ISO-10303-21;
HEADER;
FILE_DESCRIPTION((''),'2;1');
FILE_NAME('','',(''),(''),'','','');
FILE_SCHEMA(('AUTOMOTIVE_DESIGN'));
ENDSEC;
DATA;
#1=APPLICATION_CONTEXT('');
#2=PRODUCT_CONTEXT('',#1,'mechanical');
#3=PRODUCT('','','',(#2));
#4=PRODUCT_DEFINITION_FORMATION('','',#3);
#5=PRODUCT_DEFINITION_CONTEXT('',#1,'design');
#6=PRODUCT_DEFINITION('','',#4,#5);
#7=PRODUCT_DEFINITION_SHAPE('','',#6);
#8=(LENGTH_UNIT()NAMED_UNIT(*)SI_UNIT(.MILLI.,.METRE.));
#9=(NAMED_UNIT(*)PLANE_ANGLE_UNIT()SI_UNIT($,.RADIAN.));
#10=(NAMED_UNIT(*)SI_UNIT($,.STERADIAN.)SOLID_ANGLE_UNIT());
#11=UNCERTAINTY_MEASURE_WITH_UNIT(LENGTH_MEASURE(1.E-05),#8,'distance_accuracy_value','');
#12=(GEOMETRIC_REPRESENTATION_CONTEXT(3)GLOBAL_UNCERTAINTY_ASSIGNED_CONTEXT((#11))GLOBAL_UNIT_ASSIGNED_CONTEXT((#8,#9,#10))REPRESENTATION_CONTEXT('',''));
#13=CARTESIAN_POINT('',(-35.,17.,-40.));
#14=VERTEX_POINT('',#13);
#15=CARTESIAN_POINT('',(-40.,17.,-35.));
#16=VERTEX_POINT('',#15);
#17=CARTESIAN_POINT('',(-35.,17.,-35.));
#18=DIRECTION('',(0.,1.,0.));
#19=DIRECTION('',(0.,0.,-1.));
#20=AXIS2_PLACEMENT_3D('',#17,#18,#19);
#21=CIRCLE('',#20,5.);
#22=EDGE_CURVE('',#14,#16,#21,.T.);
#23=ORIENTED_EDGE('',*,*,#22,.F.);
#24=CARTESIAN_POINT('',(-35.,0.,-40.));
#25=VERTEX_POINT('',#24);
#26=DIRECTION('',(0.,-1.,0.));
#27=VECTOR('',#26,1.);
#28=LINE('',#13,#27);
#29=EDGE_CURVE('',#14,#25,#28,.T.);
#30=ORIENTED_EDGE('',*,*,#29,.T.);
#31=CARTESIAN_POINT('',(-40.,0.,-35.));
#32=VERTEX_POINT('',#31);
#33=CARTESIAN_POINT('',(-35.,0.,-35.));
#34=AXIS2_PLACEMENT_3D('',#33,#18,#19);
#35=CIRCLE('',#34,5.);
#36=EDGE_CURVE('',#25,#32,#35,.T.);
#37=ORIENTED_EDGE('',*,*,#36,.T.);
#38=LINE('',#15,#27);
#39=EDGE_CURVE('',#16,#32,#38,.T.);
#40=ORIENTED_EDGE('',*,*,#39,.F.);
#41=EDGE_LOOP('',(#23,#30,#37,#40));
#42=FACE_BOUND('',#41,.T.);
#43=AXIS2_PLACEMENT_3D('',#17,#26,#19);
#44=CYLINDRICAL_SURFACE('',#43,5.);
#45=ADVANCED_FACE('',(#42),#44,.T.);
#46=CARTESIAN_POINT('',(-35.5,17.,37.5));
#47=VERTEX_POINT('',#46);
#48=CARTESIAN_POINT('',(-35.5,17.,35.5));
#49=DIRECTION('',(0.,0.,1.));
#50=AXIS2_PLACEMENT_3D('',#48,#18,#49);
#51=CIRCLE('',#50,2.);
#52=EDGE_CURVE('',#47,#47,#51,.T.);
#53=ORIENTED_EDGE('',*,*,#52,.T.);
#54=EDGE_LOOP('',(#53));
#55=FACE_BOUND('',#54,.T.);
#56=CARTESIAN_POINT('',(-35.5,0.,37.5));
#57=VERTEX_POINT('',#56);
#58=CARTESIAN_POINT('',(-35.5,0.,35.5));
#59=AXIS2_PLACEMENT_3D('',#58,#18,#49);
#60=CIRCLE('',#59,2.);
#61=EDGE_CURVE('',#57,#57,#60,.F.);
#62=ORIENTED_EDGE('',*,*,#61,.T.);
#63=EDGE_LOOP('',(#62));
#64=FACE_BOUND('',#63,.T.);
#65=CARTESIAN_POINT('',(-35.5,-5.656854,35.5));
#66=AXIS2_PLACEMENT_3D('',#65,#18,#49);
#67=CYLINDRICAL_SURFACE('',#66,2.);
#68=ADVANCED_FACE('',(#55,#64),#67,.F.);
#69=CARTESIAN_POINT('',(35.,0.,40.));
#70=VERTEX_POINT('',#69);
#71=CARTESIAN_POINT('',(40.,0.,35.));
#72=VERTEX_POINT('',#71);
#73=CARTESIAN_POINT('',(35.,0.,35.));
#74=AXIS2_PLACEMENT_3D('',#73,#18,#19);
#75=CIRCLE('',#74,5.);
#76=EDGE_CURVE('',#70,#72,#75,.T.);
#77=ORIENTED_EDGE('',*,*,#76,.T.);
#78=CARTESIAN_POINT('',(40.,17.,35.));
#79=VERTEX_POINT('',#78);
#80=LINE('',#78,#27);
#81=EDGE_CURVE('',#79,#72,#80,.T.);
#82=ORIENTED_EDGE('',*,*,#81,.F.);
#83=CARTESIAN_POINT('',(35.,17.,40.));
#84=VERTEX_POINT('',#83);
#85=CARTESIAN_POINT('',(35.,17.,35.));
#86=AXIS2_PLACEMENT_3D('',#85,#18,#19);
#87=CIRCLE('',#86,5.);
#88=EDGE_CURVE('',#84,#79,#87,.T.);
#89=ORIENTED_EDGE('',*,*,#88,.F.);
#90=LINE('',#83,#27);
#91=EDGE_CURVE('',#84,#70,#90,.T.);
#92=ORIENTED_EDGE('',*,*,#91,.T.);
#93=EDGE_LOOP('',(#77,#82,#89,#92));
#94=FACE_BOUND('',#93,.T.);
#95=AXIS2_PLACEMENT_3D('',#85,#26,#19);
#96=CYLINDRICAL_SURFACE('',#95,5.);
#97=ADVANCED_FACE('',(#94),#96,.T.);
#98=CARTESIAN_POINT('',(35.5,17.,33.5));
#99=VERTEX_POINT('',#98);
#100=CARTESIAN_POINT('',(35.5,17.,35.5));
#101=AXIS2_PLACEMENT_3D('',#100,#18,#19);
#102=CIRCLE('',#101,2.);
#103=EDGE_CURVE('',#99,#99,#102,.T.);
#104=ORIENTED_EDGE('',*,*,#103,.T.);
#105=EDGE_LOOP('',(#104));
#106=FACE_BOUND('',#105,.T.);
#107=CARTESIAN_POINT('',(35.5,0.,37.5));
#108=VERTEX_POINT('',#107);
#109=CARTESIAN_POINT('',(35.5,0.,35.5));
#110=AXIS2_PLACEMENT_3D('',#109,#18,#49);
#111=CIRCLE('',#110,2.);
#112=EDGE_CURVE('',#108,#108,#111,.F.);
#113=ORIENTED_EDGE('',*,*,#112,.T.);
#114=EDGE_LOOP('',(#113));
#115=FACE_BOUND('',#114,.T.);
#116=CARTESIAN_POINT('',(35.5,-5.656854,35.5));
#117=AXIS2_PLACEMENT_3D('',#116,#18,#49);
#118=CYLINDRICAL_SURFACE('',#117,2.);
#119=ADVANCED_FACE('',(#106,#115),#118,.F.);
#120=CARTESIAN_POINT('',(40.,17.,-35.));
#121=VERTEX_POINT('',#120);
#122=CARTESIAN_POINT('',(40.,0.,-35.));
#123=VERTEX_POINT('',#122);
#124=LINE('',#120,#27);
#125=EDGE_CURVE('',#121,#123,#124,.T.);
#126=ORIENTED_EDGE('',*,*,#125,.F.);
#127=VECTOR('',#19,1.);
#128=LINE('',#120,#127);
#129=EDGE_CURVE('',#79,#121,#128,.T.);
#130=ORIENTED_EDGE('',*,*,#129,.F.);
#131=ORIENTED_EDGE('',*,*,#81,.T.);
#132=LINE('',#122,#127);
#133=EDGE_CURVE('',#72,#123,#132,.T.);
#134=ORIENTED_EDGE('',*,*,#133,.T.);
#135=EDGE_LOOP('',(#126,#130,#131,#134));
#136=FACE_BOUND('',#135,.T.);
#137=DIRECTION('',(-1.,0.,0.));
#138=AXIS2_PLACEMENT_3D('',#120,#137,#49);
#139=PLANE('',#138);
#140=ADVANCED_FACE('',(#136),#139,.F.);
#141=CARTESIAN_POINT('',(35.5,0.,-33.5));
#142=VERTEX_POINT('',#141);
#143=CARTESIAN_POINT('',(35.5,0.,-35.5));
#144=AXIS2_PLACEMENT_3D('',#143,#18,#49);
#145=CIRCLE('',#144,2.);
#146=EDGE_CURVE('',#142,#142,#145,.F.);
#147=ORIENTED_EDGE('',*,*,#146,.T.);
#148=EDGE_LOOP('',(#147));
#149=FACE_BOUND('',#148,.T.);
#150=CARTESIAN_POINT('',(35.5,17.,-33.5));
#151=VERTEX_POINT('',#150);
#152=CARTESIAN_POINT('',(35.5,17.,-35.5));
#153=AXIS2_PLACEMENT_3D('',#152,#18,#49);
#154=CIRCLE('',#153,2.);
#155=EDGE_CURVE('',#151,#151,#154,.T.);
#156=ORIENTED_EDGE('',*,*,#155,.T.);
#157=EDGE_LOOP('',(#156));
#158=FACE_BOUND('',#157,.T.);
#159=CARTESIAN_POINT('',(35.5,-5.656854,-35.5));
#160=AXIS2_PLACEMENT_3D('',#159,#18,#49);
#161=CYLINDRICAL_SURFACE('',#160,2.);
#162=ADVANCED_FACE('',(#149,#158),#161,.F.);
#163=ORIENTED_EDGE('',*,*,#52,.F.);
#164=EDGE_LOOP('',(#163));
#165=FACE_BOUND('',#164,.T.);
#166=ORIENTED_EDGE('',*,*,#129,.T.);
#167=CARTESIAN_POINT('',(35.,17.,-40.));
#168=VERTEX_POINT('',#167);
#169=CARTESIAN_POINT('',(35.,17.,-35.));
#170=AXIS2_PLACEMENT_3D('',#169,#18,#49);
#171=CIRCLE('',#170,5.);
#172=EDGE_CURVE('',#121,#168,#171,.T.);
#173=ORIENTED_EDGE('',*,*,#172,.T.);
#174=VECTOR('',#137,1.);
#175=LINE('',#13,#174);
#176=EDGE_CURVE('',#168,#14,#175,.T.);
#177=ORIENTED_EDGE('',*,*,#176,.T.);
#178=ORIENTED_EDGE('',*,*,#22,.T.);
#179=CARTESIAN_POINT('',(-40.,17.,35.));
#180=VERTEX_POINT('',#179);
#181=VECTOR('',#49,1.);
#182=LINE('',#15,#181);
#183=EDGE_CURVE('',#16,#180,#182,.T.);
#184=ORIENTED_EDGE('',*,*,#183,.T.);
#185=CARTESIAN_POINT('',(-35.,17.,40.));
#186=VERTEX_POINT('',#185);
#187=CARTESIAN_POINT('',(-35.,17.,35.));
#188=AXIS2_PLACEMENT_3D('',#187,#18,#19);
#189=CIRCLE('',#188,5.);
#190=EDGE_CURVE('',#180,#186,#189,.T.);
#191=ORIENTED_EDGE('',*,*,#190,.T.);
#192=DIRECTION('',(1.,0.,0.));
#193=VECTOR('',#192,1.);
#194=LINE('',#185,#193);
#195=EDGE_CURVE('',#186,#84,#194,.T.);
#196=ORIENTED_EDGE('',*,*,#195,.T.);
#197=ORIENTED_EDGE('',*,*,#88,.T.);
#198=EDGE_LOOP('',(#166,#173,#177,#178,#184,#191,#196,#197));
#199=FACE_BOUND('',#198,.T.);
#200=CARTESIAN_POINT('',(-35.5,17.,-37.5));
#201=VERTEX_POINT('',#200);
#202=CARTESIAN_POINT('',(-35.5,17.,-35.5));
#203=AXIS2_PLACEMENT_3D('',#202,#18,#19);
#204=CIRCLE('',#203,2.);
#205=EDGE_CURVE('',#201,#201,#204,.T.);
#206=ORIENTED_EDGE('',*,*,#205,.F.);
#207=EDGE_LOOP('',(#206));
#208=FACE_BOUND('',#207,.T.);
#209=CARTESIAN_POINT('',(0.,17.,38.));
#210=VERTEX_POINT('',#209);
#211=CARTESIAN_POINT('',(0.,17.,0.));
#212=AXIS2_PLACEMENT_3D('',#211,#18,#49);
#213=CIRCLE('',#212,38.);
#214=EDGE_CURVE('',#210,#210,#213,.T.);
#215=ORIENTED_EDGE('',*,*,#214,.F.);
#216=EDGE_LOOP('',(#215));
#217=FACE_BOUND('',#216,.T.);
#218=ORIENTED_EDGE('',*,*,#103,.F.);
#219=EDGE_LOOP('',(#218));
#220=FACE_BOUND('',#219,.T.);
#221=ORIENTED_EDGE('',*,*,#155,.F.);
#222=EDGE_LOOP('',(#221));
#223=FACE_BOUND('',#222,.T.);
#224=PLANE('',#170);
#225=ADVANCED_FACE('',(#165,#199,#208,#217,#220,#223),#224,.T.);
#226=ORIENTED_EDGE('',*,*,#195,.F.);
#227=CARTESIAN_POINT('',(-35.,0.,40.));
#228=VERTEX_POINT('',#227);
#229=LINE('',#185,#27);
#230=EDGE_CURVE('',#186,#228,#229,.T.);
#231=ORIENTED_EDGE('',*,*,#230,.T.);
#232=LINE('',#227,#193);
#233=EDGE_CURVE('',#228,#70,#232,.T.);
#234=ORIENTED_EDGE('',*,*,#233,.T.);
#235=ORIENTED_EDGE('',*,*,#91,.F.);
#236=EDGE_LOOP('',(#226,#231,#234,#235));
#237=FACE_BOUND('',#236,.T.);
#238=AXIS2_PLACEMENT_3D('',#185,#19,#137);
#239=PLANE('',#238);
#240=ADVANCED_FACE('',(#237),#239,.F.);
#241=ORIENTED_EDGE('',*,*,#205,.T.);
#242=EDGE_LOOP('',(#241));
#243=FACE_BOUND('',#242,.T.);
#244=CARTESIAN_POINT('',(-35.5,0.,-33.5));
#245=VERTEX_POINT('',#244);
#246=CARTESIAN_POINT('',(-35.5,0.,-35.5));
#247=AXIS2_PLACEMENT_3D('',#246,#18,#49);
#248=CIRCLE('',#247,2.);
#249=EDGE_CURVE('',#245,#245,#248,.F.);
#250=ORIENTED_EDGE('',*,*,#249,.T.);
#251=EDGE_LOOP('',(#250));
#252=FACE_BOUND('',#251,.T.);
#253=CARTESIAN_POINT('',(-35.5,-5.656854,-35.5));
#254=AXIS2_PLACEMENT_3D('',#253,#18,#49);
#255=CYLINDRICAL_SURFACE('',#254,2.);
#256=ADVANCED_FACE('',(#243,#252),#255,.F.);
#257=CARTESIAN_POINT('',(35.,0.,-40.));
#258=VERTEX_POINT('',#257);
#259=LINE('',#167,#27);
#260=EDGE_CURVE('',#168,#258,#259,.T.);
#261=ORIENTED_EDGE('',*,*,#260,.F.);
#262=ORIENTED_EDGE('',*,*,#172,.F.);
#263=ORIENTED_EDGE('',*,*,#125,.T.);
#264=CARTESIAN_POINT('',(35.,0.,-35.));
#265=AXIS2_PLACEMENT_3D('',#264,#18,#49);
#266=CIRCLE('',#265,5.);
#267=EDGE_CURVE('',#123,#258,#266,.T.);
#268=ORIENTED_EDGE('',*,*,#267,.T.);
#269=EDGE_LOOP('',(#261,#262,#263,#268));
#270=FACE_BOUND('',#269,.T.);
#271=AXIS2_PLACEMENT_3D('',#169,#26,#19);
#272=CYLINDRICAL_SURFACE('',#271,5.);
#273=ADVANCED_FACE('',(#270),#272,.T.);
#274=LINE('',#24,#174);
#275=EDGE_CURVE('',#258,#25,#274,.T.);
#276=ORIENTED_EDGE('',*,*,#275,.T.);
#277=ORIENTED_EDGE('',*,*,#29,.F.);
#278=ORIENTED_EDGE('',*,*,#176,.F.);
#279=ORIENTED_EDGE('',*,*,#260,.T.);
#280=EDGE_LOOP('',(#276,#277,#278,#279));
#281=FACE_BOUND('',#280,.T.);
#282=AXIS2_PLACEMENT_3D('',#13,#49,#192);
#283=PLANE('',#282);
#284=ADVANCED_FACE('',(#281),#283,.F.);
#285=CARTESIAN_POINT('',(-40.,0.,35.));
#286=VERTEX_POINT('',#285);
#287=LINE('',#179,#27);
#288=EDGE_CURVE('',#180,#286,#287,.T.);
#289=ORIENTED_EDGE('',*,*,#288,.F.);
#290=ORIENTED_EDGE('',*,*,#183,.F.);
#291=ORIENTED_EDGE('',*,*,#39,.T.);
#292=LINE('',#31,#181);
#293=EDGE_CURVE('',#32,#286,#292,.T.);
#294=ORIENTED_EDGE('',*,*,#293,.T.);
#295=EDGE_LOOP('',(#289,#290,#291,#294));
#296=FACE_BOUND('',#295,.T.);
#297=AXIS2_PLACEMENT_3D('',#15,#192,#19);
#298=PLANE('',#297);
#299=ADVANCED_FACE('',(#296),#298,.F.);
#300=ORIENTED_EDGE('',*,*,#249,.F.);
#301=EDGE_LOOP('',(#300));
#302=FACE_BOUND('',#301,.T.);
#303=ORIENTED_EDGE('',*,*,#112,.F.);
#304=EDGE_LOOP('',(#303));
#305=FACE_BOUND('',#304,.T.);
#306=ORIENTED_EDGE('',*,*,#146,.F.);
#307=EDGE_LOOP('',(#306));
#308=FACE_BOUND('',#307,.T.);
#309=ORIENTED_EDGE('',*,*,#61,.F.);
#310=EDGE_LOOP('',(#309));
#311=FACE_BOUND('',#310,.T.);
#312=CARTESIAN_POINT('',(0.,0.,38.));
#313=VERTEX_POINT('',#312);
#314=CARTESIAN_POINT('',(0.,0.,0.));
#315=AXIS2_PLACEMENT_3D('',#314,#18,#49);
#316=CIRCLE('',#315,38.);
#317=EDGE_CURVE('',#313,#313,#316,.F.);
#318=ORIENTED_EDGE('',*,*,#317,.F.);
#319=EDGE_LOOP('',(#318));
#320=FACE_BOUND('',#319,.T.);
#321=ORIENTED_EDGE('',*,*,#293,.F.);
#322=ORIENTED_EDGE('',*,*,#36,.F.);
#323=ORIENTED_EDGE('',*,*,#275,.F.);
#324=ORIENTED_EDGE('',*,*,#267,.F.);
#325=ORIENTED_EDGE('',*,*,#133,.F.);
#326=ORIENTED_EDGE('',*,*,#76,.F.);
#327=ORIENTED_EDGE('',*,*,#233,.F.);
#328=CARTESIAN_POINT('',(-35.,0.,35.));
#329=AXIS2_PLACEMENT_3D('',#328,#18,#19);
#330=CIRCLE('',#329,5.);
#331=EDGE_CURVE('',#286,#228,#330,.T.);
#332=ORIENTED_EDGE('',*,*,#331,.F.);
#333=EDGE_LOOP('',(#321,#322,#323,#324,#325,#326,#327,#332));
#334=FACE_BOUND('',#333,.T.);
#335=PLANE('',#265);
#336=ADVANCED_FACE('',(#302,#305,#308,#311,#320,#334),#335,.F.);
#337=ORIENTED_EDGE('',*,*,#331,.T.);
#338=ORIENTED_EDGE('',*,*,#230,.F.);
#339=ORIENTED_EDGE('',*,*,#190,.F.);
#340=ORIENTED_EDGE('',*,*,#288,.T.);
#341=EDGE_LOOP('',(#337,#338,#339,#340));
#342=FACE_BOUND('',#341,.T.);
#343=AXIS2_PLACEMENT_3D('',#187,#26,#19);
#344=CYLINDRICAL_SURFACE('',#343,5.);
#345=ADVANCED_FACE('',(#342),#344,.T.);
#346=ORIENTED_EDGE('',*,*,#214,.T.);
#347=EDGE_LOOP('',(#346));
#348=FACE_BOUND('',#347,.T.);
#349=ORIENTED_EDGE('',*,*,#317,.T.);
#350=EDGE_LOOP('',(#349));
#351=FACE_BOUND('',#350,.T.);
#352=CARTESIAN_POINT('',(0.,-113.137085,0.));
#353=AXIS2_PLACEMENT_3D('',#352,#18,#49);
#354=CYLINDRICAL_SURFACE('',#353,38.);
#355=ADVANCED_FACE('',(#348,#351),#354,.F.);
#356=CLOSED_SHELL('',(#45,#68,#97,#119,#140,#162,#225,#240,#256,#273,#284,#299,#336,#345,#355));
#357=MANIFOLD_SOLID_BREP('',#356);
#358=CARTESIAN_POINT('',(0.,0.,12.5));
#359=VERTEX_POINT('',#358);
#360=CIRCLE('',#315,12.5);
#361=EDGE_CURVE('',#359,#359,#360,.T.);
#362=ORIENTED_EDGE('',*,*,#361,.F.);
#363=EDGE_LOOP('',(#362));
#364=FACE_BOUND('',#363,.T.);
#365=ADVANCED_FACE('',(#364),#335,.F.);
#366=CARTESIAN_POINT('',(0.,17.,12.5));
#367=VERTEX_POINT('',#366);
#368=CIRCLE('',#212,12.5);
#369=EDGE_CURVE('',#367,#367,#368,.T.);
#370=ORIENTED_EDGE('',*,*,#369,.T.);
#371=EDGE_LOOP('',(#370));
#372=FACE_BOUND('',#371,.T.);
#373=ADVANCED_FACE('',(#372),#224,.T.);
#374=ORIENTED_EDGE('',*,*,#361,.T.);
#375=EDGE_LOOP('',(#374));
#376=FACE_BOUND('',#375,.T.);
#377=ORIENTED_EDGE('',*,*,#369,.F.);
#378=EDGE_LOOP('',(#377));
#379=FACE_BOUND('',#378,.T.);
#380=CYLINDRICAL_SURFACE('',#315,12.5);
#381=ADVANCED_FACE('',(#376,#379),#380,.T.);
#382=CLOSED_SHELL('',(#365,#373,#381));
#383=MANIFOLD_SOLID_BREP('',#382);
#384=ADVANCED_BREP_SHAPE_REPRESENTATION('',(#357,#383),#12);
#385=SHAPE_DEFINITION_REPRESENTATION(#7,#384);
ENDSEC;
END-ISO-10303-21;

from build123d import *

# Parameters (mm, degrees)
EXTRUDE_1_DEPTH     = 17
SKETCH_2_R          = 12.5
CUT_EXTRUDE_1_DEPTH = 17
SKETCH_3_R          = 38
EXTRUDE_3_DEPTH     = 17
SKETCH_4_R          = 2
CUT_EXTRUDE_2_DEPTH = 17


with BuildPart() as part:
    # 草图1 → 拉伸1 (new body)
    with BuildSketch(Plane(origin=(0, 0, 0), x_dir=(1, 0, 0), z_dir=(0, 1, 0))):
        with BuildLine():
            Line((-35, 40), (35, 40))
            ThreePointArc((35, 40), (38.535533906, 38.535533906), (40, 35))
            Line((40, 35), (40, -35))
            ThreePointArc((40, -35), (38.535533906, -38.535533906), (35, -40))
            Line((35, -40), (-35, -40))
            ThreePointArc((-35, -40), (-38.535533906, -38.535533906), (-40, -35))
            Line((-40, -35), (-40, 35))
            ThreePointArc((-40, 35), (-38.535533906, 38.535533906), (-35, 40))
        make_face()
    extrude(amount=EXTRUDE_1_DEPTH)

    # 草图2 → 切除-拉伸1 (cut)
    with BuildSketch(Plane(origin=(0, 17, 0), x_dir=(-1, 0, 0), z_dir=(0, 1, 0))):
        with BuildLine():
            Line((-35, -38), (35, -38))
            ThreePointArc((35, -38), (37.121320344, -37.121320344), (38, -35))
            Line((38, -35), (38, 35))
            ThreePointArc((38, 35), (37.121320344, 37.121320344), (35, 38))
            Line((35, 38), (-35, 38))
            ThreePointArc((-35, 38), (-37.121320344, 37.121320344), (-38, 35))
            Line((-38, 35), (-38, -35))
            ThreePointArc((-38, -35), (-37.121320344, -37.121320344), (-35, -38))
        make_face()
        with Locations(Location((0, 0, 0), (0, 0, 90))):
            Circle(SKETCH_2_R, mode=Mode.SUBTRACT)
    extrude(amount=-CUT_EXTRUDE_1_DEPTH, mode=Mode.SUBTRACT)


with BuildPart() as cut_extrude_1_piece_1:
    # of the separate pieces the step leaves, piece 1, a body of its own (cut_extrude_1_pieces)
    add(part.part.solids().sort_by_distance((-35, 0, -40))[0])

    # 草图3 → 拉伸3 (add)
    with BuildSketch(Plane(origin=(0, 17, 0), x_dir=(-1, 0, 0), z_dir=(0, 1, 0))):
        with BuildLine():
            Line((40, -35), (40, 35))
            ThreePointArc((40, 35), (38.535533906, 38.535533906), (35, 40))
            Line((35, 40), (-35, 40))
            ThreePointArc((-35, 40), (-38.535533906, 38.535533906), (-40, 35))
            Line((-40, 35), (-40, -35))
            ThreePointArc((-40, -35), (-38.535533906, -38.535533906), (-35, -40))
            Line((-35, -40), (35, -40))
            ThreePointArc((35, -40), (38.535533906, -38.535533906), (40, -35))
        make_face()
        with Locations(Location((0, 0, 0), (0, 0, 90))):
            Circle(SKETCH_3_R, mode=Mode.SUBTRACT)
    extrude(amount=-EXTRUDE_3_DEPTH)

    # 草图4 → 切除-拉伸2 (cut)
    with BuildSketch(Plane(origin=(0, 17, 0), x_dir=(-1, 0, 0), z_dir=(0, 1, 0))):
        with Locations(Location((-35.5, -35.5, 0), (0, 0, 90))):
            Circle(SKETCH_4_R)
        with Locations(Location((-35.5, 35.5, 0), (0, 0, 90))):
            Circle(SKETCH_4_R)
        with Locations(Location((35.5, 35.5, 0), (0, 0, 90))):
            Circle(SKETCH_4_R)
        with Locations(Location((35.5, -35.5, 0), (0, 0, 90))):
            Circle(SKETCH_4_R)
    extrude(amount=-CUT_EXTRUDE_2_DEPTH, mode=Mode.SUBTRACT)


with BuildPart() as cut_extrude_1_piece_2:
    # of the separate pieces the step leaves, piece 2, a body of its own (cut_extrude_1_pieces)
    add(part.part.solids().sort_by_distance((0, 0, 12.5))[0])


solid = Compound([cut_extrude_1_piece_1.part, cut_extrude_1_piece_2.part])
